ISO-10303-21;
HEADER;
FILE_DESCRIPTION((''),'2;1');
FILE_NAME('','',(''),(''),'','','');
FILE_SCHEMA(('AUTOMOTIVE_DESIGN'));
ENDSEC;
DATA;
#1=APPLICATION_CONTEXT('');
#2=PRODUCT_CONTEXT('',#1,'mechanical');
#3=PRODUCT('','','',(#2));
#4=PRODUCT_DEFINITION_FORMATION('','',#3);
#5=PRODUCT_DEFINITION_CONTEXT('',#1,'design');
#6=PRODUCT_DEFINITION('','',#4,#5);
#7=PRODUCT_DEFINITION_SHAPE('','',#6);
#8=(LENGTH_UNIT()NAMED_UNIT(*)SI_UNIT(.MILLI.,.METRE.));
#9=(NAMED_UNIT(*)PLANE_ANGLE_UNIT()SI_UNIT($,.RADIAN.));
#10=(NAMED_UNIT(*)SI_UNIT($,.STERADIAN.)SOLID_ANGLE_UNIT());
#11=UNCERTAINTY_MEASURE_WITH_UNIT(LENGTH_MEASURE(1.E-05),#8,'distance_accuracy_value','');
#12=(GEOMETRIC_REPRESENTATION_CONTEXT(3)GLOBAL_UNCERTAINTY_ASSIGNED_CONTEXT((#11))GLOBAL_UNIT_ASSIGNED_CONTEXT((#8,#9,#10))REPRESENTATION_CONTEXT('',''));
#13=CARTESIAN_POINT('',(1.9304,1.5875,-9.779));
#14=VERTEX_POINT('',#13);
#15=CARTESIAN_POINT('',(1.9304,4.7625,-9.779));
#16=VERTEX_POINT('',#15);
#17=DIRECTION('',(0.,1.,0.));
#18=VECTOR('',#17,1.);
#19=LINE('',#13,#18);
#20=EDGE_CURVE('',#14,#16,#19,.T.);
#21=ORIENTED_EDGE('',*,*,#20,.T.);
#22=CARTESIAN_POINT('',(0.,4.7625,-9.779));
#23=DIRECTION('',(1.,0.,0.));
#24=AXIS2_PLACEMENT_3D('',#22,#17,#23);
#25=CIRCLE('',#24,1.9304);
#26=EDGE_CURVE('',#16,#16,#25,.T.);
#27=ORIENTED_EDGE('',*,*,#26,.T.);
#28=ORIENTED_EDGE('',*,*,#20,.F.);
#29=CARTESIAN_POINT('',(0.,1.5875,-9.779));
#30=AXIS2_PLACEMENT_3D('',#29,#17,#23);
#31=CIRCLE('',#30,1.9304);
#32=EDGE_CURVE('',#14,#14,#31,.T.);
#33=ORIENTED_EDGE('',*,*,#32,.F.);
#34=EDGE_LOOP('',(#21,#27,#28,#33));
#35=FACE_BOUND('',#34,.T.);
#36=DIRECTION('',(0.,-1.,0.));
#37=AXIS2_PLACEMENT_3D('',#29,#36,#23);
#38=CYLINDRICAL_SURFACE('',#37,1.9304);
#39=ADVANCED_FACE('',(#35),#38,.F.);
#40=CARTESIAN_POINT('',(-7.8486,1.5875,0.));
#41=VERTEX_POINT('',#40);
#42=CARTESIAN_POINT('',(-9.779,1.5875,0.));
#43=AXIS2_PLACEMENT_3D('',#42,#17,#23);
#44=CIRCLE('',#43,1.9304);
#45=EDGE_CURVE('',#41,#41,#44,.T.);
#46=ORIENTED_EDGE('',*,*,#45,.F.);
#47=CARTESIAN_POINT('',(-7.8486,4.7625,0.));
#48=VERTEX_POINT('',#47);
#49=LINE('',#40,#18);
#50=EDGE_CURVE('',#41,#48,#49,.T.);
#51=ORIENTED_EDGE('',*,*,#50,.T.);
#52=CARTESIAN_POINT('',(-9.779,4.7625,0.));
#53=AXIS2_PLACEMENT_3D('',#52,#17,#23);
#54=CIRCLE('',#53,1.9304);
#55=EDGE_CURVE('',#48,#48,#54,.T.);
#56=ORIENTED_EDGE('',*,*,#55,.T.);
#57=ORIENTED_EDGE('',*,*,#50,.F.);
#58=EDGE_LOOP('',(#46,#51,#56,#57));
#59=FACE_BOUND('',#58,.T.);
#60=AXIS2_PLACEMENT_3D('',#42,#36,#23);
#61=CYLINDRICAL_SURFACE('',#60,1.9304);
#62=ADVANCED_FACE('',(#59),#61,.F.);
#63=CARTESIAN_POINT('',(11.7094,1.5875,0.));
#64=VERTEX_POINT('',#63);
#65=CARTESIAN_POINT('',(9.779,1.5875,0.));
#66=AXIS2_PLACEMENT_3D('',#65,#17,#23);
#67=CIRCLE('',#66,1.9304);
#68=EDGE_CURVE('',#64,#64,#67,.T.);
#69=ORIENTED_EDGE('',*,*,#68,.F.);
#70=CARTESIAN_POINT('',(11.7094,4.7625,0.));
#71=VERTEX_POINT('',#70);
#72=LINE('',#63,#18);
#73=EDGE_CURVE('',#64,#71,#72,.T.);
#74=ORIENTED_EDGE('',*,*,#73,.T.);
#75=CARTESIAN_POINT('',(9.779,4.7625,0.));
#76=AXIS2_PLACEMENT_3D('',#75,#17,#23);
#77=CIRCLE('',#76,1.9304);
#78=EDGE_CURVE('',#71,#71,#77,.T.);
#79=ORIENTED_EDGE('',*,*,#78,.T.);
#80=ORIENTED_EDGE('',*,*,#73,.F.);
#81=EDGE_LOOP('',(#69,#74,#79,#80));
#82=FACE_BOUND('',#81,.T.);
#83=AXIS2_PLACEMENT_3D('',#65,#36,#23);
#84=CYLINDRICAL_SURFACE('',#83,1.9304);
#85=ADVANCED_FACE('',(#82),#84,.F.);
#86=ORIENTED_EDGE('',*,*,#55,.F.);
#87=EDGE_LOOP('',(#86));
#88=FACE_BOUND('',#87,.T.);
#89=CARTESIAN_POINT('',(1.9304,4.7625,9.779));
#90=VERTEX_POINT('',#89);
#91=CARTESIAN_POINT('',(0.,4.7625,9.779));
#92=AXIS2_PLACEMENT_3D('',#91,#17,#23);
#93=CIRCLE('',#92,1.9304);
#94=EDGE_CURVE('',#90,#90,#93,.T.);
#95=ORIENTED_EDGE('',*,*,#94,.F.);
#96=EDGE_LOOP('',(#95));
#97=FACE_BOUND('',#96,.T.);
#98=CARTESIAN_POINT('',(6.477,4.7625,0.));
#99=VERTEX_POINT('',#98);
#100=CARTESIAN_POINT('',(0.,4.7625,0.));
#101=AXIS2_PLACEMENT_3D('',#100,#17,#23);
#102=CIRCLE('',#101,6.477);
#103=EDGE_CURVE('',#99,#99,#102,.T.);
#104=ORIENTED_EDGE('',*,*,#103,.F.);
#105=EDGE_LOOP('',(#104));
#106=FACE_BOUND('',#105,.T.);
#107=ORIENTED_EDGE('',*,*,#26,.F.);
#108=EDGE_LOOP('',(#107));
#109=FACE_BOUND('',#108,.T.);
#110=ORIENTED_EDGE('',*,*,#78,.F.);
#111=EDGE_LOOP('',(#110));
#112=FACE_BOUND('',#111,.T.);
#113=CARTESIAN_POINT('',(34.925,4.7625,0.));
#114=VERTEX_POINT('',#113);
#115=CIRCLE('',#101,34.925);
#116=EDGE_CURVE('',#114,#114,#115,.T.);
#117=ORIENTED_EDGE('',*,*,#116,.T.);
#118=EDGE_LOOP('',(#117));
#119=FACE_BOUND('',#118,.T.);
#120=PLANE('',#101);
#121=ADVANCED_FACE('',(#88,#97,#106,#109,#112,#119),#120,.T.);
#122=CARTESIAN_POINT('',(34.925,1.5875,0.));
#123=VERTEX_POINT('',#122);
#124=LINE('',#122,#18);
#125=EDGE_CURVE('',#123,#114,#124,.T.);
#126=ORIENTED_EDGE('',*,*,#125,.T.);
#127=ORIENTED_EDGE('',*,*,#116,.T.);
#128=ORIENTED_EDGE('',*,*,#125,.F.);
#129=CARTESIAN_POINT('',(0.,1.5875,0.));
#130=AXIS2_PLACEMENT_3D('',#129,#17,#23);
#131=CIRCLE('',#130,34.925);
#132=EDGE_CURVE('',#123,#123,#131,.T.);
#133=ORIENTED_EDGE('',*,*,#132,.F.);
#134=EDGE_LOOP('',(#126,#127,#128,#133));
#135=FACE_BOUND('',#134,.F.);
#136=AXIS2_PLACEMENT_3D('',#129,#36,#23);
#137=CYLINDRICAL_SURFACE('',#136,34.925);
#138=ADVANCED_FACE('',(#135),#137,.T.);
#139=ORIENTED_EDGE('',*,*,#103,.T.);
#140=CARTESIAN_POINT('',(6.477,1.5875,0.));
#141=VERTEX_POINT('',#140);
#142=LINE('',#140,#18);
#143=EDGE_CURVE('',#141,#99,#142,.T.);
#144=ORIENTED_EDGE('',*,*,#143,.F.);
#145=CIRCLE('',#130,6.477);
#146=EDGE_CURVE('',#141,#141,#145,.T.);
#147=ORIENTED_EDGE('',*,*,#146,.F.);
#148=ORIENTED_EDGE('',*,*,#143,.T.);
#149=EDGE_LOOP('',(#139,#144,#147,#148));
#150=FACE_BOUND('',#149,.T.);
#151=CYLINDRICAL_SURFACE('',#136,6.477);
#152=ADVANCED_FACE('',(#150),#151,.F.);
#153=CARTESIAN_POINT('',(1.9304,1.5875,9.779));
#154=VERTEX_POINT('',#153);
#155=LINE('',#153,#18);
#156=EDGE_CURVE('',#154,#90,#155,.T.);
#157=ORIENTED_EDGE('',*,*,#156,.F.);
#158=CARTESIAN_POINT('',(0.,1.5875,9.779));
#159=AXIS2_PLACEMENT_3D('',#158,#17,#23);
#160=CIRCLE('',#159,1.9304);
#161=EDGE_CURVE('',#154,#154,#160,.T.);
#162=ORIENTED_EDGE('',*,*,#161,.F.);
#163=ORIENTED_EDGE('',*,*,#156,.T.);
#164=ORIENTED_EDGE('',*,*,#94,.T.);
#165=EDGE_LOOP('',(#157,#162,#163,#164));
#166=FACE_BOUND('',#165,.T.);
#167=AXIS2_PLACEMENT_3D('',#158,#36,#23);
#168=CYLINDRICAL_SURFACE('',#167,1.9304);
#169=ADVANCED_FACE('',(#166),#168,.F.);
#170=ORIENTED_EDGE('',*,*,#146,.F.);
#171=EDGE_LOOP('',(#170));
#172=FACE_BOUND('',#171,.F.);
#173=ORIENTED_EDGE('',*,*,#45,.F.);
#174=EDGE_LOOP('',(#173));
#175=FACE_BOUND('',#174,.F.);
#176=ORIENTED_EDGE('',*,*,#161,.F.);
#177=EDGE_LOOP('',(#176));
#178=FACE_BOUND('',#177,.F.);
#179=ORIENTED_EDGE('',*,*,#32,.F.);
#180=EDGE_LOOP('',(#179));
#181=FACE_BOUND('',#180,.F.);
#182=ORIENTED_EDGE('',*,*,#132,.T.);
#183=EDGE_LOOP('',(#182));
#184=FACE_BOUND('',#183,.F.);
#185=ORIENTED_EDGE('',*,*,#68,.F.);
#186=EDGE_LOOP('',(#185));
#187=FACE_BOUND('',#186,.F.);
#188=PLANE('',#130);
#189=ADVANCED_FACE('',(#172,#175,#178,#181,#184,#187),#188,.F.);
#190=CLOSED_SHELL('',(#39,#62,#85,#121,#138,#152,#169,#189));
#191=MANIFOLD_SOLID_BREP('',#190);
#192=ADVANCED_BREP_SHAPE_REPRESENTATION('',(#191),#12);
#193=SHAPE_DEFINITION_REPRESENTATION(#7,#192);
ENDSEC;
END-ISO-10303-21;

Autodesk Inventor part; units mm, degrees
ref_plane "YZ Plane" through (0, 0, 0) normal (1, 0, 0) x (0, 1, 0)
ref_plane "XZ Plane" through (0, 0, 0) normal (0, 1, 0) x (-1, 0, 0)
ref_plane "XY Plane" through (0, 0, 0) normal (0, 0, 1) x (1, 0, 0)
ref_plane "Work Plane1" through (0, 1.5875, 0) normal (0, 1, 0) x (1, 0, 0)
sketch "Sketch1" plane through (0, 1.5875, 0) normal (0, 1, 0) x (1, 0, 0)
  circle A0 centre (0, 0) radius 34.925
  circle A1 centre (0, -9.779) radius 1.778 construction
  circle A2 centre (-9.779, 0) radius 1.778 construction
  circle A3 centre (0, 9.779) radius 1.778 construction
  circle A4 centre (9.779, 0) radius 1.778 construction
  circle A5 centre (0, 0) radius 6.35 construction
  circle A6 centre (0, -9.779) radius 1.9304
  circle A7 centre (-9.779, 0) radius 1.9304
  circle A8 centre (0, 9.779) radius 1.9304
  circle A9 centre (9.779, 0) radius 1.9304
  circle A10 centre (0, 0) radius 6.477
  line L0 (0, 0) -> (44.45, 0) construction
  dimension "d1" = 69.85
  dimension "d2" = 3.8608
  dimension "d3" = 3.8608
  dimension "d5" = 3.8608
  dimension "d6" = 12.954
extrude "Extrusion2" add sketch "Sketch1" along normal blind 3.175
properties part number "2_75 in spool inner plate"
